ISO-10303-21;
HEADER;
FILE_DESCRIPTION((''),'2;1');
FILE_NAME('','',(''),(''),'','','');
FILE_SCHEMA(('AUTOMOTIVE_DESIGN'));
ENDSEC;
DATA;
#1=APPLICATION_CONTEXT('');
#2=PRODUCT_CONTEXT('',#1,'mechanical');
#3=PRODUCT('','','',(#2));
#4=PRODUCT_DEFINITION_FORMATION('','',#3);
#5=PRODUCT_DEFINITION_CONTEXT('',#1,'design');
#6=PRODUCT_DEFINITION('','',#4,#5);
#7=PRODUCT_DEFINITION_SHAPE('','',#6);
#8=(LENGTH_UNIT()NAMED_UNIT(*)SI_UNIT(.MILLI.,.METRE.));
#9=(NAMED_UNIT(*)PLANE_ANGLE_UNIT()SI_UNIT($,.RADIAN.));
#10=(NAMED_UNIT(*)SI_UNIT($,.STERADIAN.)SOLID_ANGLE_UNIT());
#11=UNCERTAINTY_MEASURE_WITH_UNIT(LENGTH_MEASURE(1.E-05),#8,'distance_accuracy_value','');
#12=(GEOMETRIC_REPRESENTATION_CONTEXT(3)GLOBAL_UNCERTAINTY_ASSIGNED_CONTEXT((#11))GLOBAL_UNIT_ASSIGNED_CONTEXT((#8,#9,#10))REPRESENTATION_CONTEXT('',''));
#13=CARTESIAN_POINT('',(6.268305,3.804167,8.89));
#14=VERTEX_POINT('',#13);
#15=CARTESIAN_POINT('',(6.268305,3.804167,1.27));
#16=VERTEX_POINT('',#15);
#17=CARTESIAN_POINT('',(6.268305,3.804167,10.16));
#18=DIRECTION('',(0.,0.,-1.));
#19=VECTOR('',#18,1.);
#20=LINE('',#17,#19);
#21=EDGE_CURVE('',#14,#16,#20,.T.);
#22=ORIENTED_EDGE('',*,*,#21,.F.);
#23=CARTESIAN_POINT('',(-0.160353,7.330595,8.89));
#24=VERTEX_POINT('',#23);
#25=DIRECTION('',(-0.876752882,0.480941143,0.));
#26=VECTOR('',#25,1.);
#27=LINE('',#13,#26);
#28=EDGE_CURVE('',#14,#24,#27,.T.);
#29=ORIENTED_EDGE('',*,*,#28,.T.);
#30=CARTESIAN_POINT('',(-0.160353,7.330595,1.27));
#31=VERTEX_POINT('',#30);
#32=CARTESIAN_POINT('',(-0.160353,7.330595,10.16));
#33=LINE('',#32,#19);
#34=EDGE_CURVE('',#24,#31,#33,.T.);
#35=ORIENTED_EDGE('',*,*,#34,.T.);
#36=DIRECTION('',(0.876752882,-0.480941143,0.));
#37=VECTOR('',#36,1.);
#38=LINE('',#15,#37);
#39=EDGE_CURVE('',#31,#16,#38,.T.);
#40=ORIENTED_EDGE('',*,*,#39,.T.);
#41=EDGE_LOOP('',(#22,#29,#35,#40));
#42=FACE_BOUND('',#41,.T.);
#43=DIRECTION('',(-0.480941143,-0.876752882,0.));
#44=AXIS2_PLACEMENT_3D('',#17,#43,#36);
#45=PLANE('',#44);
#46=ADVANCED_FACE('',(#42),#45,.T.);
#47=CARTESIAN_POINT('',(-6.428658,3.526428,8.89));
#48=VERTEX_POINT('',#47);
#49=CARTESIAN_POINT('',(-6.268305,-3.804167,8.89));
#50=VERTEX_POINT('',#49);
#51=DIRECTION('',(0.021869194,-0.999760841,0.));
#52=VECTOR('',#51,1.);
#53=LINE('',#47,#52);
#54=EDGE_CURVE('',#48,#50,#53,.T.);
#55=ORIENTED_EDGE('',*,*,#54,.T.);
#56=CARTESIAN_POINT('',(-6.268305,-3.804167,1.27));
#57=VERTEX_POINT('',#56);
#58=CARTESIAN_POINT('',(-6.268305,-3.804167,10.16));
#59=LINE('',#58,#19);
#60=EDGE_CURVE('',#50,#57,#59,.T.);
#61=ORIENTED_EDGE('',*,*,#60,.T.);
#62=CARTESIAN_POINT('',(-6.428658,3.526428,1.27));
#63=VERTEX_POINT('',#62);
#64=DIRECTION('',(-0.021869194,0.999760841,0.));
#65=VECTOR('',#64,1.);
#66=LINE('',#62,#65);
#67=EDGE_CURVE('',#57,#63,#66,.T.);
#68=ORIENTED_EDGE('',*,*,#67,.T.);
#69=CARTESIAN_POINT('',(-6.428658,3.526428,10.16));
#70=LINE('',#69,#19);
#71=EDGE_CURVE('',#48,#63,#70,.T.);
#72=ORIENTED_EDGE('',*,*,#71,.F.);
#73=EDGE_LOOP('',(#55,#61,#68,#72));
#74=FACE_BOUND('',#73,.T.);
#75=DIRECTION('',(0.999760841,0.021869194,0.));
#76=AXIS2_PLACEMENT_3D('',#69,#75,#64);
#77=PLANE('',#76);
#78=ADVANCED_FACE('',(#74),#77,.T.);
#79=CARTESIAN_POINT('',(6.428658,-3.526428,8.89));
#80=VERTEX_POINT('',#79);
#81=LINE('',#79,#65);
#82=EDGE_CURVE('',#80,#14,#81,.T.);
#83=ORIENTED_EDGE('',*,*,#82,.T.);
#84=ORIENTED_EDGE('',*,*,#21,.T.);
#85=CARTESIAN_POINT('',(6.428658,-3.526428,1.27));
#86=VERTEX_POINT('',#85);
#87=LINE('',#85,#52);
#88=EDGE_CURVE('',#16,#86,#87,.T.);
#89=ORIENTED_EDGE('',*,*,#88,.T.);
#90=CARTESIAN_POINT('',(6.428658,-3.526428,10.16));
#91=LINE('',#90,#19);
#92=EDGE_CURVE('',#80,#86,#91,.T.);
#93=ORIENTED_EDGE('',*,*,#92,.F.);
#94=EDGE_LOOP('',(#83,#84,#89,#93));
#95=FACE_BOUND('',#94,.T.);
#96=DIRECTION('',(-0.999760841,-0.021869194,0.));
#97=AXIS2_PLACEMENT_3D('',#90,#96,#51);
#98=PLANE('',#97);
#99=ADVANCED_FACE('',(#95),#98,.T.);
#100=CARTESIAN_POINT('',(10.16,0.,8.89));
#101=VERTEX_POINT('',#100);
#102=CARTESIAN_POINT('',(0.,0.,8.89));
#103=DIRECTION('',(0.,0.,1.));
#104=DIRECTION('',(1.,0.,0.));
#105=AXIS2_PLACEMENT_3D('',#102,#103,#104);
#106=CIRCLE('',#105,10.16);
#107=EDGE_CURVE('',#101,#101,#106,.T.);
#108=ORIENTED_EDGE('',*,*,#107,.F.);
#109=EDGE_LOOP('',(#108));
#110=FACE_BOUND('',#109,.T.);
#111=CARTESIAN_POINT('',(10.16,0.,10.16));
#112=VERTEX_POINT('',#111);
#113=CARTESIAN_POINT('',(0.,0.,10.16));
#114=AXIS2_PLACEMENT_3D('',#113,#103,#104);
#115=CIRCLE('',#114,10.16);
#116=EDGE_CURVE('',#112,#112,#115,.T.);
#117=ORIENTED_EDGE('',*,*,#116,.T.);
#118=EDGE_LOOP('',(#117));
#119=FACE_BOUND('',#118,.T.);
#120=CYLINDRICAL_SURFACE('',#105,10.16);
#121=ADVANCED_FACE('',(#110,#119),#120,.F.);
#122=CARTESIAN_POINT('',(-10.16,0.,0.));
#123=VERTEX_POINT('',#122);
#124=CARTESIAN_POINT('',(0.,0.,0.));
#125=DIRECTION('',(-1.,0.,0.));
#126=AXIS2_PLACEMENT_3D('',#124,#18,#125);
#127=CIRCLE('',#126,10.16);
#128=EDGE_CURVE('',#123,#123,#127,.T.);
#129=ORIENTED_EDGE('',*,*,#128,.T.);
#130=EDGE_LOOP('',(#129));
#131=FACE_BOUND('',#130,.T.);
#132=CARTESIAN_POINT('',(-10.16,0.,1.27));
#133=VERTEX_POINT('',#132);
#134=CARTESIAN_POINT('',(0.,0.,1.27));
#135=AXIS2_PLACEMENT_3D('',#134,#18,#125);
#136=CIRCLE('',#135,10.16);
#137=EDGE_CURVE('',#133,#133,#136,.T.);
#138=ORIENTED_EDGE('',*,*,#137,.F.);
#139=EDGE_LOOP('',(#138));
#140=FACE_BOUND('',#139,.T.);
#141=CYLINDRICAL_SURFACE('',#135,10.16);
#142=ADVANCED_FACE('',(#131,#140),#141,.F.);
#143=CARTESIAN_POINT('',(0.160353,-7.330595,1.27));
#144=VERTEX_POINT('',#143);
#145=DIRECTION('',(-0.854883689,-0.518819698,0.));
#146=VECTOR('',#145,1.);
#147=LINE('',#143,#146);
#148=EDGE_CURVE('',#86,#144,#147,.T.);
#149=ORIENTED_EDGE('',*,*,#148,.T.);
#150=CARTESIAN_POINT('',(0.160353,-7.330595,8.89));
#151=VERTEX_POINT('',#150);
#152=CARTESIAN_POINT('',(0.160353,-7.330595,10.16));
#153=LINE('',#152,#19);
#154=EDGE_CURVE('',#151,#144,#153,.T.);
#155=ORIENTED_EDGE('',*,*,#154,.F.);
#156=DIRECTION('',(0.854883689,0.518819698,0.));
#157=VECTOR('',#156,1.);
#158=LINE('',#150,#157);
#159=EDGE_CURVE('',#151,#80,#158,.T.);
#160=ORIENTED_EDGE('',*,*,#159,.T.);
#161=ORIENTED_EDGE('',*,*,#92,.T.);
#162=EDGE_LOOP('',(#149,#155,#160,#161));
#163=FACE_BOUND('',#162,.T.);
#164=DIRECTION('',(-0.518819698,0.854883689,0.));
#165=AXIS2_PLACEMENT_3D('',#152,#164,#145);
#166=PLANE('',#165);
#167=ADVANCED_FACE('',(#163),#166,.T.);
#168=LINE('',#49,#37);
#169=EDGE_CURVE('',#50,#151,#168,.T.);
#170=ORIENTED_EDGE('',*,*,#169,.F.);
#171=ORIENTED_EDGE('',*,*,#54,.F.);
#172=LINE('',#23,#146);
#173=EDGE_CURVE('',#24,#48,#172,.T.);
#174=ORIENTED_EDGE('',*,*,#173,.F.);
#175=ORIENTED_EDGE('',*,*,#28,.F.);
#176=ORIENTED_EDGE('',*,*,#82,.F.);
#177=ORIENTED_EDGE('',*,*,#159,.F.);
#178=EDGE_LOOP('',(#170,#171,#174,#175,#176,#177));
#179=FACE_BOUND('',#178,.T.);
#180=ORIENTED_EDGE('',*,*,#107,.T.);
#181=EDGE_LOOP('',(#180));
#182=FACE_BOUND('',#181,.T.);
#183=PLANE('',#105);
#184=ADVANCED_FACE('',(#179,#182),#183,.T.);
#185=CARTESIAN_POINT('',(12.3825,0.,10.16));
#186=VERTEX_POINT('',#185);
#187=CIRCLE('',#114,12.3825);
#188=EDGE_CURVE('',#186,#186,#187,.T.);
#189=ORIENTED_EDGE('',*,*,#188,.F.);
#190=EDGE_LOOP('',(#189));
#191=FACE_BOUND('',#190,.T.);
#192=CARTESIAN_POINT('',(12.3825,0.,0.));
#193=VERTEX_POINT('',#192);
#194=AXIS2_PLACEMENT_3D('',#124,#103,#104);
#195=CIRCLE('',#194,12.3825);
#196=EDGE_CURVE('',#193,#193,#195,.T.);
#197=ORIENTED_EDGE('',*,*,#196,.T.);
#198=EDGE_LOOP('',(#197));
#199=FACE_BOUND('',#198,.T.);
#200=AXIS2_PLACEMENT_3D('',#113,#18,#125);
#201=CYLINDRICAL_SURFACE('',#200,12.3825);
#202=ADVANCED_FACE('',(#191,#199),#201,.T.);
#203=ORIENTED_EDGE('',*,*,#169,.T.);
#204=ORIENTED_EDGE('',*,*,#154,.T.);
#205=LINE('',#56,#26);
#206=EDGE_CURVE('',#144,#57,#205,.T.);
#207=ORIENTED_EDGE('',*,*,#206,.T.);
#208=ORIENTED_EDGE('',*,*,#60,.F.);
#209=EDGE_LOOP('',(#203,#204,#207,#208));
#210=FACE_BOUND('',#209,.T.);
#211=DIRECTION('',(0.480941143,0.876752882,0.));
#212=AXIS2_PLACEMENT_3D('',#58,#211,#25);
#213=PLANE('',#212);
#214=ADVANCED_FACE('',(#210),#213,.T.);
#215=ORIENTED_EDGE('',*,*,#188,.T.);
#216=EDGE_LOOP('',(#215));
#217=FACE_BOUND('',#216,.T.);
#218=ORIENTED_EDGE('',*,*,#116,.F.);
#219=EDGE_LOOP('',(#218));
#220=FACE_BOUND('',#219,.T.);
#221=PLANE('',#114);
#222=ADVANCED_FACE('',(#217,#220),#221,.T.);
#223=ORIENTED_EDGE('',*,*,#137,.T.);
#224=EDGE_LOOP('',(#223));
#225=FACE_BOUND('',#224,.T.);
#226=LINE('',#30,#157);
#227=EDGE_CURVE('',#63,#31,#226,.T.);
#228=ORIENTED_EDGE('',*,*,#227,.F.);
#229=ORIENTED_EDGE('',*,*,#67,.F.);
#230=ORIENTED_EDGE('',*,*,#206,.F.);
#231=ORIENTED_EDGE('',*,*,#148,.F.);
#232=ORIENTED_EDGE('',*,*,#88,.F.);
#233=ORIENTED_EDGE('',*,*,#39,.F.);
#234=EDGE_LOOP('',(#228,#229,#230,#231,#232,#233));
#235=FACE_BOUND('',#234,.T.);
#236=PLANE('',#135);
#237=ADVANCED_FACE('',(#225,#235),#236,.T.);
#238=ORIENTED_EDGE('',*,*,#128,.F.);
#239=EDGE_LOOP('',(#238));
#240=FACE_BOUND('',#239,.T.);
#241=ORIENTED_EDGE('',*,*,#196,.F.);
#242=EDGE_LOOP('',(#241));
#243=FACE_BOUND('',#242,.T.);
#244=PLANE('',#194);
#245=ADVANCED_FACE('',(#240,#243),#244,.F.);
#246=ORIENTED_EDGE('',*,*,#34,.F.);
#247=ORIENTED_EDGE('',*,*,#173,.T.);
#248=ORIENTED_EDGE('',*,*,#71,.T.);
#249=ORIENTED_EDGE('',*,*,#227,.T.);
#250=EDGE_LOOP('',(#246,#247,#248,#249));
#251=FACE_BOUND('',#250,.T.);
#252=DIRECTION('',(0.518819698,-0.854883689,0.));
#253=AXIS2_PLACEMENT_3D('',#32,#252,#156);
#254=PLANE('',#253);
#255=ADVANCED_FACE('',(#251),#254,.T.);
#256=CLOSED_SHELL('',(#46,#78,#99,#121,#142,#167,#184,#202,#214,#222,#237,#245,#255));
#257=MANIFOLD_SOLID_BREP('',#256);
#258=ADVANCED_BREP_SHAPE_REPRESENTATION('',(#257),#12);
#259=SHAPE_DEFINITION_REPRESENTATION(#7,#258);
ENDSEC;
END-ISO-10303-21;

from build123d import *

# Parameters (mm, degrees)
SKETCH1_R               = 12.3825
BOSS_EXTRUDE1_DEPTH     = 10.16
ESQUISSE1_R             = 10.16
ENL_V_MAT_EXTRU_1_DEPTH = 1.27
ENL_V_START             = -1.27
ESQUISSE2_R             = 10.16
ENL_V_MAT_EXTRU_2_DEPTH = 1.27


with BuildPart() as part:
    # Sketch1 → Boss-Extrude1 (new body)
    with BuildSketch(Plane.XY):
        Circle(SKETCH1_R)
        Polygon((0.160352547, -7.330594819), (6.428657611, -3.52642803), (6.268305064, 3.804166789), (-0.160352547, 7.330594819), (-6.428657611, 3.52642803), (-6.268305064, -3.804166789), align=None, mode=Mode.SUBTRACT)
    extrude(amount=BOSS_EXTRUDE1_DEPTH)

    # Esquisse1 → Enlèv. mat.-Extru.1 (cut)
    with BuildSketch(Plane.XY.offset(10.16)):
        Circle(ESQUISSE1_R)
    extrude(amount=-ENL_V_MAT_EXTRU_1_DEPTH, mode=Mode.SUBTRACT)

    # Esquisse2 → Enlèv. mat.-Extru.2 (cut)
    with BuildSketch(Plane(origin=(0, 0, 0), x_dir=(-1, 0, 0), z_dir=(0, 0, -1)).offset(ENL_V_START)):
        with Locations(Location((0, 0, 0), (0, 0, 180))):
            Circle(ESQUISSE2_R)
    extrude(amount=ENL_V_MAT_EXTRU_2_DEPTH, mode=Mode.SUBTRACT)


solid = part.part
